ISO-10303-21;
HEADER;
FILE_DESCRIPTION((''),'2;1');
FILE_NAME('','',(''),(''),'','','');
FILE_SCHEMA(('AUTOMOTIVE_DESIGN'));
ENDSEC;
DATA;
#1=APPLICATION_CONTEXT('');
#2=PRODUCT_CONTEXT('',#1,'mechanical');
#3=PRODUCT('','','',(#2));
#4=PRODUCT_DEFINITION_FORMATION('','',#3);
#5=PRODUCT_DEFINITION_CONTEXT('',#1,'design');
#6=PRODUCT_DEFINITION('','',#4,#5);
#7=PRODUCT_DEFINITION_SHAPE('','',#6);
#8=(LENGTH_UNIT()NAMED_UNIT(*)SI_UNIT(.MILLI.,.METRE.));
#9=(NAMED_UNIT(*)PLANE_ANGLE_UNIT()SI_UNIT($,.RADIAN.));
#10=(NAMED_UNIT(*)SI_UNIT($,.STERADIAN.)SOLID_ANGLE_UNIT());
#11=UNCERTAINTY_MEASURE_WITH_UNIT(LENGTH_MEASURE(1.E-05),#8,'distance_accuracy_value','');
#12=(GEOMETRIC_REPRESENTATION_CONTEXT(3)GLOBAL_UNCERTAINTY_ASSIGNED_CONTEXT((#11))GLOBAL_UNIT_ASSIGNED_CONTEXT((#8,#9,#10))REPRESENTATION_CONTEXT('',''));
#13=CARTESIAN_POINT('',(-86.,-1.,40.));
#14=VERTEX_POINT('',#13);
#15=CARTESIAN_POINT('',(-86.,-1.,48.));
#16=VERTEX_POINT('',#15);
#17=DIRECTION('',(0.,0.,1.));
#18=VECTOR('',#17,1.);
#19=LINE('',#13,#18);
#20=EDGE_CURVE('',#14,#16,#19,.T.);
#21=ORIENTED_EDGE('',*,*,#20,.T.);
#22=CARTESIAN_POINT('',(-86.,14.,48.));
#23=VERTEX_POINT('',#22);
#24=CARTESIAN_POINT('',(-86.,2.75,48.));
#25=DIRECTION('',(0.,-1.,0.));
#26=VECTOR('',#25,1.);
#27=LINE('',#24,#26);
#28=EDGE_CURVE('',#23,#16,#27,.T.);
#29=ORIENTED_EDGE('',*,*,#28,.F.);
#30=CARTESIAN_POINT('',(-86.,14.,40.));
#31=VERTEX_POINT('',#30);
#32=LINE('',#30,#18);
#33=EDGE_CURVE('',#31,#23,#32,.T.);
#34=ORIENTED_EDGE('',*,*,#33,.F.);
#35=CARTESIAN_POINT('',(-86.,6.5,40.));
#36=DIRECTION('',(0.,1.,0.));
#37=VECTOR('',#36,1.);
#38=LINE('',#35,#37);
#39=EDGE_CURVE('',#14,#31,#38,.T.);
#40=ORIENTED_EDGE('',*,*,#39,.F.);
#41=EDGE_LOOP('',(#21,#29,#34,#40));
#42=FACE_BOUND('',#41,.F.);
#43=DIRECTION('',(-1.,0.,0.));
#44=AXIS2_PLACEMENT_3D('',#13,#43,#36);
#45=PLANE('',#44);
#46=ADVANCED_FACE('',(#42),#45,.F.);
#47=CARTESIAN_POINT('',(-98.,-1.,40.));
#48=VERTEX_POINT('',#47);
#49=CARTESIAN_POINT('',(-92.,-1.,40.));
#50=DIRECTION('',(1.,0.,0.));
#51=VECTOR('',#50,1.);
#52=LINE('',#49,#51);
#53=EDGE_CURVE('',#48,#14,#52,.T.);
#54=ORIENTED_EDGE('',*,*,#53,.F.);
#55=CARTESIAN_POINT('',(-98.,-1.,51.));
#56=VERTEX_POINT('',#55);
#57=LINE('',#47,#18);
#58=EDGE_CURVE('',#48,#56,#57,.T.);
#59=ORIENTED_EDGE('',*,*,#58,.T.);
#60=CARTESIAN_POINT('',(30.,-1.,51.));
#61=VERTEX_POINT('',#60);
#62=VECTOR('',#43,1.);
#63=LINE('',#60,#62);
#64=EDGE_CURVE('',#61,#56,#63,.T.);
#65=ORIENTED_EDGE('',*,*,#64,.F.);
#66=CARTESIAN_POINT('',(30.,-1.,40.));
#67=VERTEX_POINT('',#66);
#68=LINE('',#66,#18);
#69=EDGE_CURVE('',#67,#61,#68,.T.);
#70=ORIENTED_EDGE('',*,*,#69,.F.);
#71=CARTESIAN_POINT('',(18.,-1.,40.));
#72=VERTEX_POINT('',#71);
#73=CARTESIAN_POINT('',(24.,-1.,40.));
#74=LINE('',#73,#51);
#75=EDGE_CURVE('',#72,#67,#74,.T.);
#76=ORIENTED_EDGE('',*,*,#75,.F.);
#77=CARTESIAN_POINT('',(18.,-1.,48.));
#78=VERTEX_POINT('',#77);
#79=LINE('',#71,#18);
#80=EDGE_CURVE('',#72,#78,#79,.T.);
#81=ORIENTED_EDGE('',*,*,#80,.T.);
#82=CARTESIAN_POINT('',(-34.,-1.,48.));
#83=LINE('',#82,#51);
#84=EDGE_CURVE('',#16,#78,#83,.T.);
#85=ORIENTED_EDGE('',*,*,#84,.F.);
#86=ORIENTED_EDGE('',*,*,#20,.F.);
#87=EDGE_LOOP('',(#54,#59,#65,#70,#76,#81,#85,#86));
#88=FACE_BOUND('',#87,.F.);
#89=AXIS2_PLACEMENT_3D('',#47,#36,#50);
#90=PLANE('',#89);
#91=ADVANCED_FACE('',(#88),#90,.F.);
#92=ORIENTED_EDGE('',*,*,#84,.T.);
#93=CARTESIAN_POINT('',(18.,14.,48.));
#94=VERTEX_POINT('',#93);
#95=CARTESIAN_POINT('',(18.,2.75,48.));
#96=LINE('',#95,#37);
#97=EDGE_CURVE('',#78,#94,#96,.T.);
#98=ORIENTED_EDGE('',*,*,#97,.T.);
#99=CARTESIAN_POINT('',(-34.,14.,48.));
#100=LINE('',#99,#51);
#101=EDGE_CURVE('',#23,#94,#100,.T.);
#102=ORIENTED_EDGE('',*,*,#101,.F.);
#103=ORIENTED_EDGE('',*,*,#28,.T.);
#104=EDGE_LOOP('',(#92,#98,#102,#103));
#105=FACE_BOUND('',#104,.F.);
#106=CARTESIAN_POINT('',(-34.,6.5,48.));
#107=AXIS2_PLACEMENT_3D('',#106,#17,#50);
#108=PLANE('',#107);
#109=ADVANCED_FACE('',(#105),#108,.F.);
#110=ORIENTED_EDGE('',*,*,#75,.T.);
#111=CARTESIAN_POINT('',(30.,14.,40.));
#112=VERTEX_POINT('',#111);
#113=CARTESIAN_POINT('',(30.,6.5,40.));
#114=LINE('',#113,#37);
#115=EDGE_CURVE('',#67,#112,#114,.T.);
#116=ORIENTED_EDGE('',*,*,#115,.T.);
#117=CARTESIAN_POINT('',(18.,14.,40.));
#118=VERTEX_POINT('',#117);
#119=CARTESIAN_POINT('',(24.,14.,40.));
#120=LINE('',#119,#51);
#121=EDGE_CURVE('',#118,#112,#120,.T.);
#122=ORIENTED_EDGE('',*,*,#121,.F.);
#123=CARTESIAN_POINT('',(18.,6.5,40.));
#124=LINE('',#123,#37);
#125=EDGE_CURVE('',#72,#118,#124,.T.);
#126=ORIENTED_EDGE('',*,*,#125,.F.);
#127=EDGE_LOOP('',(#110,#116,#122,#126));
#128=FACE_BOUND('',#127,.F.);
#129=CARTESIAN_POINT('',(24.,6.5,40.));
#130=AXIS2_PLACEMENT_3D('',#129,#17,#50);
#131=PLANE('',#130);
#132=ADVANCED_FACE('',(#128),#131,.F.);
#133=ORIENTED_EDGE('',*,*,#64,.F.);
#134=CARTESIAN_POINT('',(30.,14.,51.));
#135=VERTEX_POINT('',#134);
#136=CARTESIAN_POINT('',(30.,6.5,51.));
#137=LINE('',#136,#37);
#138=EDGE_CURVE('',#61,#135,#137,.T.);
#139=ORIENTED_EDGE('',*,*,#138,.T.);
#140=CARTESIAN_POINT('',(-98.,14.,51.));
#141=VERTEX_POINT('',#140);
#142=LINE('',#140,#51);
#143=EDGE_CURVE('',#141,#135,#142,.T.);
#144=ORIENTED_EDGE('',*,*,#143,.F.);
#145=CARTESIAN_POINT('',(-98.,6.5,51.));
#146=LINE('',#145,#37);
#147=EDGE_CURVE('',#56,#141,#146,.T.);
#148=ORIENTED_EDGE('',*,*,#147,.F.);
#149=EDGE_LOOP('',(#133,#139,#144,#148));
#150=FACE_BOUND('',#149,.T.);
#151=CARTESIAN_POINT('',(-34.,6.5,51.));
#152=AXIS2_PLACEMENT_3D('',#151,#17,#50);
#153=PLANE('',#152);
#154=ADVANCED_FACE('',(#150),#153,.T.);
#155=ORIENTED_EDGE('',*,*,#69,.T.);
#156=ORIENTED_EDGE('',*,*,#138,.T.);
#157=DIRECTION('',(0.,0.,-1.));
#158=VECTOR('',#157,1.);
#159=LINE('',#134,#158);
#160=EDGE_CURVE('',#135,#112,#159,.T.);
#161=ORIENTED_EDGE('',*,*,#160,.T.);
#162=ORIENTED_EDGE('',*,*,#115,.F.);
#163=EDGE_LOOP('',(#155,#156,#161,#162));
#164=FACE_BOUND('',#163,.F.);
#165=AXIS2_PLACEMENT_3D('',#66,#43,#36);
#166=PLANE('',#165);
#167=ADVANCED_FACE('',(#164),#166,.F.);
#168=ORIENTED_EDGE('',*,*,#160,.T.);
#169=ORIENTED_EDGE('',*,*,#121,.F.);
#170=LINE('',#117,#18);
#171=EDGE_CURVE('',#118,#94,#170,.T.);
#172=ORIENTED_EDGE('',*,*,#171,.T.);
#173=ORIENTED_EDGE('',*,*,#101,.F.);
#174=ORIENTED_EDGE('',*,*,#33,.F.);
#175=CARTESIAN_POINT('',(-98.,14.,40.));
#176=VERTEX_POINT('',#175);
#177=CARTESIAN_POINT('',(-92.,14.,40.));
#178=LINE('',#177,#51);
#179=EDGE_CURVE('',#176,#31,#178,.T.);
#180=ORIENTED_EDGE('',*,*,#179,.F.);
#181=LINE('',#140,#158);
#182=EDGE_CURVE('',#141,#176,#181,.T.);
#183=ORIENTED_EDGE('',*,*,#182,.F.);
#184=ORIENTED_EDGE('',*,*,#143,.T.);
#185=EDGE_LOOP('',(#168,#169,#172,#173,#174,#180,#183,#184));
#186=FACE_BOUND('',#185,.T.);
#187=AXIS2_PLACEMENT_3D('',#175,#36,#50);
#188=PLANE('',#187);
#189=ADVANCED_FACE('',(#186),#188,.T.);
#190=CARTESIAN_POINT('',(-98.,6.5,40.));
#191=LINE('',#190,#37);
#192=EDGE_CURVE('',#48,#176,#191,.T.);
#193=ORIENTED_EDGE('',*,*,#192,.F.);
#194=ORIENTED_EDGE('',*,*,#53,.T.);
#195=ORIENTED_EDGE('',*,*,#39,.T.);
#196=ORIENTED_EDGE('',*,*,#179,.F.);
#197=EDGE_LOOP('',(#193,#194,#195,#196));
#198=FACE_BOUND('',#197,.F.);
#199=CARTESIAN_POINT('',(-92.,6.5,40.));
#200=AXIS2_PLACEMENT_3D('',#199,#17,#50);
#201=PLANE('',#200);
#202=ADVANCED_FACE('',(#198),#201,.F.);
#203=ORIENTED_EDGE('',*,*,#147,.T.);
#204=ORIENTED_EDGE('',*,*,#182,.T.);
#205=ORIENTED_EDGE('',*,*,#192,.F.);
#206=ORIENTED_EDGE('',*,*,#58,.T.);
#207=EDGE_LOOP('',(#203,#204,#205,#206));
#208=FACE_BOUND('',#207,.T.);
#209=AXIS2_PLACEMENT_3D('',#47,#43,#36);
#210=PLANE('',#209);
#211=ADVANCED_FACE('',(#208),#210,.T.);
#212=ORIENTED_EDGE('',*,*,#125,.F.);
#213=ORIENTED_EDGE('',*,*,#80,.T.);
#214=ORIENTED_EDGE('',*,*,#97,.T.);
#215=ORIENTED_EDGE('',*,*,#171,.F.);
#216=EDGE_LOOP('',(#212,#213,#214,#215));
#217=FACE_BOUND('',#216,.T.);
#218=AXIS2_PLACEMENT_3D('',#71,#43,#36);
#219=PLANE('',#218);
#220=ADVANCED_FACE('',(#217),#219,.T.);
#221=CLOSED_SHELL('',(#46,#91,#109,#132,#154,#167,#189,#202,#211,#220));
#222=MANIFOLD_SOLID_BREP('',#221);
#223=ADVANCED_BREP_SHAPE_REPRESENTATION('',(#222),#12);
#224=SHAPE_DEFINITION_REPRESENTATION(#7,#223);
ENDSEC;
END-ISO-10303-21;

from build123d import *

# Parameters (mm, degrees)
BOX501_W     = 128
BOX501_H     = 15
BOX501_DEPTH = 3
BOX502_W     = 12
BOX502_H     = 15
BOX502_DEPTH = 11
BOX503_W     = 12
BOX503_H     = 15
BOX503_DEPTH = 11


with BuildPart() as box501:
    # Box501 → Box501 (new body)
    with BuildSketch(Plane(origin=(-98, -27, 48), x_dir=(1, 0, 0), z_dir=(0, 0, 1))):
        with Locations((64, 7.5)):
            Rectangle(BOX501_W, BOX501_H)
    extrude(amount=BOX501_DEPTH)


with BuildPart() as box502:
    # Box502 → Box502 (new body)
    with BuildSketch(Plane(origin=(-98, -27, 40), x_dir=(1, 0, 0), z_dir=(0, 0, 1))):
        with Locations((6, 7.5)):
            Rectangle(BOX502_W, BOX502_H)
    extrude(amount=BOX502_DEPTH)


with BuildPart() as fusion392:
    # Box503 → Box503 (new body)
    with BuildSketch(Plane(origin=(18, -27, 40), x_dir=(1, 0, 0), z_dir=(0, 0, 1))):
        with Locations((6, 7.5)):
            Rectangle(BOX503_W, BOX503_H)
    extrude(amount=BOX503_DEPTH)

    # Fusion392: union Box501, Box502
    add(box501.part)
    add(box502.part)


with BuildPart() as fusion392_1:
    # Fusion392 placement: moved
    add(fusion392.part.moved(Location((0, 26, 0))))


solid = fusion392_1.part
